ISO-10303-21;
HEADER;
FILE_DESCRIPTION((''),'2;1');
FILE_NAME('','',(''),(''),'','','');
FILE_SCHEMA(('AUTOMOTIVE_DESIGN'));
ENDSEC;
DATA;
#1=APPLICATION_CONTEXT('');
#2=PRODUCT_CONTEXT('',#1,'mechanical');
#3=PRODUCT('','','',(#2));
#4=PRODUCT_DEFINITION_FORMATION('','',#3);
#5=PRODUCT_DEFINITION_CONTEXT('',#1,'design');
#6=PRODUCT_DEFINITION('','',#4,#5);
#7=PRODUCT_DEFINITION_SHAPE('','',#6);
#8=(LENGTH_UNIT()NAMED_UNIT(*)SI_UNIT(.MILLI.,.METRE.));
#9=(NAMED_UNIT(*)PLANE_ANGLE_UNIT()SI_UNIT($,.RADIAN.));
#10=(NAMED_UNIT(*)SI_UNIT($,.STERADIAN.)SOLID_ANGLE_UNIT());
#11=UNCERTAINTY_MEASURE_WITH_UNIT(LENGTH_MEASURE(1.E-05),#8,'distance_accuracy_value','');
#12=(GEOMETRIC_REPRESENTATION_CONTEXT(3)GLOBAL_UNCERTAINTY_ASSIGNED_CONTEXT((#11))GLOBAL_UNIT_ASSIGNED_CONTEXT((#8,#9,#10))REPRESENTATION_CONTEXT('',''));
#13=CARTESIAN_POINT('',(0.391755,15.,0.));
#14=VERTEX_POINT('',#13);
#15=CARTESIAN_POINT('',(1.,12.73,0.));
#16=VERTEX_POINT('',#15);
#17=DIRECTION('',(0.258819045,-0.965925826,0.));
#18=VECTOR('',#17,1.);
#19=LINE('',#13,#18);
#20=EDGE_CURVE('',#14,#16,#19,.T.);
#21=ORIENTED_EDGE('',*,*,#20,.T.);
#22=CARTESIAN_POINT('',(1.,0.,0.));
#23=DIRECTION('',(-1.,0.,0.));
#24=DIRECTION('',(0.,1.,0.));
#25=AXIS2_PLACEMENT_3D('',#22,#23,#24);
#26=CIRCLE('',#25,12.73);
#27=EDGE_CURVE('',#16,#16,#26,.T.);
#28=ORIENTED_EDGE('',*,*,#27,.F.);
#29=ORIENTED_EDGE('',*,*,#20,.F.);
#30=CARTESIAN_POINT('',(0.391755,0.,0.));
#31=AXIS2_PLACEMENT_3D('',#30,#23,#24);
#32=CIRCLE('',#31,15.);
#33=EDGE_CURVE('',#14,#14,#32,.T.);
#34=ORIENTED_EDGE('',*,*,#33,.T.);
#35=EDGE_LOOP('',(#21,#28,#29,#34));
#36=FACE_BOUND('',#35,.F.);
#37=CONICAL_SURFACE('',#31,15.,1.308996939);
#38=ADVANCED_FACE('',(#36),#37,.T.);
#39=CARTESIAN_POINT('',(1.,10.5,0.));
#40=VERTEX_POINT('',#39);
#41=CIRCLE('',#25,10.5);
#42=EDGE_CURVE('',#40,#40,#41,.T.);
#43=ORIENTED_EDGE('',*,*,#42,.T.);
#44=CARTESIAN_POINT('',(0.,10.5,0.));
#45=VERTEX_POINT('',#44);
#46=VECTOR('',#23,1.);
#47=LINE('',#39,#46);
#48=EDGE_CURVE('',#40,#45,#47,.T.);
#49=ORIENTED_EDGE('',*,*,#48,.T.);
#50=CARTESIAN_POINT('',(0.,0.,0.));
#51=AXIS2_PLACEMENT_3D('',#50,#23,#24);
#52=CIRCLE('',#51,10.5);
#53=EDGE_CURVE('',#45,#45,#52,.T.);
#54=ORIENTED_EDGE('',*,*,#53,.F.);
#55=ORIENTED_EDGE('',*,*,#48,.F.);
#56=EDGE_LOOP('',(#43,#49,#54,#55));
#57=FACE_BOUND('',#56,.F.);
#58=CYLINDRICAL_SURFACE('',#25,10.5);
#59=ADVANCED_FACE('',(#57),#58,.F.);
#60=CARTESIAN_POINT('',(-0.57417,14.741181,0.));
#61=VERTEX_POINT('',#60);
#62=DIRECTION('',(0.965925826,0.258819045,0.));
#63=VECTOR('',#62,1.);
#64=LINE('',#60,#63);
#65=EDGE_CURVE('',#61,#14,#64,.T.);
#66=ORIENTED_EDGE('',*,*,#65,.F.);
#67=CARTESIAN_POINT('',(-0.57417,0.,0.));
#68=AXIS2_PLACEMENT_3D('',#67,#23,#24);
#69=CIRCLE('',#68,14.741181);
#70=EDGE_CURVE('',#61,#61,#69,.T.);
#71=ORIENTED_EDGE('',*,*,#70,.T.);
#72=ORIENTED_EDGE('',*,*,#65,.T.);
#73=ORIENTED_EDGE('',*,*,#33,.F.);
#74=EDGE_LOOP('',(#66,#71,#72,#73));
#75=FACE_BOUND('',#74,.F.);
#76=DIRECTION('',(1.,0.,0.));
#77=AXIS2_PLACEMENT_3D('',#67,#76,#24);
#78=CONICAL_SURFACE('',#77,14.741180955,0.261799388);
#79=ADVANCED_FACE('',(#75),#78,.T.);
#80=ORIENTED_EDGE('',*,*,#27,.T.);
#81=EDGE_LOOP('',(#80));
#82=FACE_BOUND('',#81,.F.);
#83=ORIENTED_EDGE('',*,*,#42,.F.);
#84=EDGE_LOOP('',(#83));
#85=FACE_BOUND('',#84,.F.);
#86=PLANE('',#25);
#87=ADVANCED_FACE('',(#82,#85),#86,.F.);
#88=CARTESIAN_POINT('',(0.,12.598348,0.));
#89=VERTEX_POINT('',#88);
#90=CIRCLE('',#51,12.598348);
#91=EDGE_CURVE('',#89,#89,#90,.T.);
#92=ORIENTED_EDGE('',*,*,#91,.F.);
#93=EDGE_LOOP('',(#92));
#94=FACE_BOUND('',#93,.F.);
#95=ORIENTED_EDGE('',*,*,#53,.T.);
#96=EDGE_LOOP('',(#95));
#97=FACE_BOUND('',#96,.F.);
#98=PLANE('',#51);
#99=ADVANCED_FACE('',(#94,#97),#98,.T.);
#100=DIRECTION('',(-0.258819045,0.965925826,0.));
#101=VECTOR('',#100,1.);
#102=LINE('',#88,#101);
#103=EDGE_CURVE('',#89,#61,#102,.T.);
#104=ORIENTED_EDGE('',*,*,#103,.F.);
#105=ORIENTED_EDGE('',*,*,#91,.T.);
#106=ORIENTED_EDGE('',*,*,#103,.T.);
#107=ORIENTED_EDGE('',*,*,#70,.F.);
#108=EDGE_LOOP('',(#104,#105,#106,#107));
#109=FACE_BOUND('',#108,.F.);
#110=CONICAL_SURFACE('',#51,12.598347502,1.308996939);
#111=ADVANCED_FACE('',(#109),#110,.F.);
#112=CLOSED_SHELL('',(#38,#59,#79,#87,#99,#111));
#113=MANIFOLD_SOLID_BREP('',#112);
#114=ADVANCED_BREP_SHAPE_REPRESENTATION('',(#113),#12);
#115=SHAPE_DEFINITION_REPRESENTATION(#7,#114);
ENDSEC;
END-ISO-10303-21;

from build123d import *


with BuildPart() as part:
    # Sketch1 → Revolve1 (revolve)
    with BuildSketch(Plane.XY):
        Polygon((1, 10.5), (0, 10.5), (0, 12.598347502), (-0.574170493, 14.741180955), (0.391755333, 15), (1, 12.73), align=None)
    revolve(axis=Axis((1, 0, 0), (-1, 0, 0)))


solid = part.part
